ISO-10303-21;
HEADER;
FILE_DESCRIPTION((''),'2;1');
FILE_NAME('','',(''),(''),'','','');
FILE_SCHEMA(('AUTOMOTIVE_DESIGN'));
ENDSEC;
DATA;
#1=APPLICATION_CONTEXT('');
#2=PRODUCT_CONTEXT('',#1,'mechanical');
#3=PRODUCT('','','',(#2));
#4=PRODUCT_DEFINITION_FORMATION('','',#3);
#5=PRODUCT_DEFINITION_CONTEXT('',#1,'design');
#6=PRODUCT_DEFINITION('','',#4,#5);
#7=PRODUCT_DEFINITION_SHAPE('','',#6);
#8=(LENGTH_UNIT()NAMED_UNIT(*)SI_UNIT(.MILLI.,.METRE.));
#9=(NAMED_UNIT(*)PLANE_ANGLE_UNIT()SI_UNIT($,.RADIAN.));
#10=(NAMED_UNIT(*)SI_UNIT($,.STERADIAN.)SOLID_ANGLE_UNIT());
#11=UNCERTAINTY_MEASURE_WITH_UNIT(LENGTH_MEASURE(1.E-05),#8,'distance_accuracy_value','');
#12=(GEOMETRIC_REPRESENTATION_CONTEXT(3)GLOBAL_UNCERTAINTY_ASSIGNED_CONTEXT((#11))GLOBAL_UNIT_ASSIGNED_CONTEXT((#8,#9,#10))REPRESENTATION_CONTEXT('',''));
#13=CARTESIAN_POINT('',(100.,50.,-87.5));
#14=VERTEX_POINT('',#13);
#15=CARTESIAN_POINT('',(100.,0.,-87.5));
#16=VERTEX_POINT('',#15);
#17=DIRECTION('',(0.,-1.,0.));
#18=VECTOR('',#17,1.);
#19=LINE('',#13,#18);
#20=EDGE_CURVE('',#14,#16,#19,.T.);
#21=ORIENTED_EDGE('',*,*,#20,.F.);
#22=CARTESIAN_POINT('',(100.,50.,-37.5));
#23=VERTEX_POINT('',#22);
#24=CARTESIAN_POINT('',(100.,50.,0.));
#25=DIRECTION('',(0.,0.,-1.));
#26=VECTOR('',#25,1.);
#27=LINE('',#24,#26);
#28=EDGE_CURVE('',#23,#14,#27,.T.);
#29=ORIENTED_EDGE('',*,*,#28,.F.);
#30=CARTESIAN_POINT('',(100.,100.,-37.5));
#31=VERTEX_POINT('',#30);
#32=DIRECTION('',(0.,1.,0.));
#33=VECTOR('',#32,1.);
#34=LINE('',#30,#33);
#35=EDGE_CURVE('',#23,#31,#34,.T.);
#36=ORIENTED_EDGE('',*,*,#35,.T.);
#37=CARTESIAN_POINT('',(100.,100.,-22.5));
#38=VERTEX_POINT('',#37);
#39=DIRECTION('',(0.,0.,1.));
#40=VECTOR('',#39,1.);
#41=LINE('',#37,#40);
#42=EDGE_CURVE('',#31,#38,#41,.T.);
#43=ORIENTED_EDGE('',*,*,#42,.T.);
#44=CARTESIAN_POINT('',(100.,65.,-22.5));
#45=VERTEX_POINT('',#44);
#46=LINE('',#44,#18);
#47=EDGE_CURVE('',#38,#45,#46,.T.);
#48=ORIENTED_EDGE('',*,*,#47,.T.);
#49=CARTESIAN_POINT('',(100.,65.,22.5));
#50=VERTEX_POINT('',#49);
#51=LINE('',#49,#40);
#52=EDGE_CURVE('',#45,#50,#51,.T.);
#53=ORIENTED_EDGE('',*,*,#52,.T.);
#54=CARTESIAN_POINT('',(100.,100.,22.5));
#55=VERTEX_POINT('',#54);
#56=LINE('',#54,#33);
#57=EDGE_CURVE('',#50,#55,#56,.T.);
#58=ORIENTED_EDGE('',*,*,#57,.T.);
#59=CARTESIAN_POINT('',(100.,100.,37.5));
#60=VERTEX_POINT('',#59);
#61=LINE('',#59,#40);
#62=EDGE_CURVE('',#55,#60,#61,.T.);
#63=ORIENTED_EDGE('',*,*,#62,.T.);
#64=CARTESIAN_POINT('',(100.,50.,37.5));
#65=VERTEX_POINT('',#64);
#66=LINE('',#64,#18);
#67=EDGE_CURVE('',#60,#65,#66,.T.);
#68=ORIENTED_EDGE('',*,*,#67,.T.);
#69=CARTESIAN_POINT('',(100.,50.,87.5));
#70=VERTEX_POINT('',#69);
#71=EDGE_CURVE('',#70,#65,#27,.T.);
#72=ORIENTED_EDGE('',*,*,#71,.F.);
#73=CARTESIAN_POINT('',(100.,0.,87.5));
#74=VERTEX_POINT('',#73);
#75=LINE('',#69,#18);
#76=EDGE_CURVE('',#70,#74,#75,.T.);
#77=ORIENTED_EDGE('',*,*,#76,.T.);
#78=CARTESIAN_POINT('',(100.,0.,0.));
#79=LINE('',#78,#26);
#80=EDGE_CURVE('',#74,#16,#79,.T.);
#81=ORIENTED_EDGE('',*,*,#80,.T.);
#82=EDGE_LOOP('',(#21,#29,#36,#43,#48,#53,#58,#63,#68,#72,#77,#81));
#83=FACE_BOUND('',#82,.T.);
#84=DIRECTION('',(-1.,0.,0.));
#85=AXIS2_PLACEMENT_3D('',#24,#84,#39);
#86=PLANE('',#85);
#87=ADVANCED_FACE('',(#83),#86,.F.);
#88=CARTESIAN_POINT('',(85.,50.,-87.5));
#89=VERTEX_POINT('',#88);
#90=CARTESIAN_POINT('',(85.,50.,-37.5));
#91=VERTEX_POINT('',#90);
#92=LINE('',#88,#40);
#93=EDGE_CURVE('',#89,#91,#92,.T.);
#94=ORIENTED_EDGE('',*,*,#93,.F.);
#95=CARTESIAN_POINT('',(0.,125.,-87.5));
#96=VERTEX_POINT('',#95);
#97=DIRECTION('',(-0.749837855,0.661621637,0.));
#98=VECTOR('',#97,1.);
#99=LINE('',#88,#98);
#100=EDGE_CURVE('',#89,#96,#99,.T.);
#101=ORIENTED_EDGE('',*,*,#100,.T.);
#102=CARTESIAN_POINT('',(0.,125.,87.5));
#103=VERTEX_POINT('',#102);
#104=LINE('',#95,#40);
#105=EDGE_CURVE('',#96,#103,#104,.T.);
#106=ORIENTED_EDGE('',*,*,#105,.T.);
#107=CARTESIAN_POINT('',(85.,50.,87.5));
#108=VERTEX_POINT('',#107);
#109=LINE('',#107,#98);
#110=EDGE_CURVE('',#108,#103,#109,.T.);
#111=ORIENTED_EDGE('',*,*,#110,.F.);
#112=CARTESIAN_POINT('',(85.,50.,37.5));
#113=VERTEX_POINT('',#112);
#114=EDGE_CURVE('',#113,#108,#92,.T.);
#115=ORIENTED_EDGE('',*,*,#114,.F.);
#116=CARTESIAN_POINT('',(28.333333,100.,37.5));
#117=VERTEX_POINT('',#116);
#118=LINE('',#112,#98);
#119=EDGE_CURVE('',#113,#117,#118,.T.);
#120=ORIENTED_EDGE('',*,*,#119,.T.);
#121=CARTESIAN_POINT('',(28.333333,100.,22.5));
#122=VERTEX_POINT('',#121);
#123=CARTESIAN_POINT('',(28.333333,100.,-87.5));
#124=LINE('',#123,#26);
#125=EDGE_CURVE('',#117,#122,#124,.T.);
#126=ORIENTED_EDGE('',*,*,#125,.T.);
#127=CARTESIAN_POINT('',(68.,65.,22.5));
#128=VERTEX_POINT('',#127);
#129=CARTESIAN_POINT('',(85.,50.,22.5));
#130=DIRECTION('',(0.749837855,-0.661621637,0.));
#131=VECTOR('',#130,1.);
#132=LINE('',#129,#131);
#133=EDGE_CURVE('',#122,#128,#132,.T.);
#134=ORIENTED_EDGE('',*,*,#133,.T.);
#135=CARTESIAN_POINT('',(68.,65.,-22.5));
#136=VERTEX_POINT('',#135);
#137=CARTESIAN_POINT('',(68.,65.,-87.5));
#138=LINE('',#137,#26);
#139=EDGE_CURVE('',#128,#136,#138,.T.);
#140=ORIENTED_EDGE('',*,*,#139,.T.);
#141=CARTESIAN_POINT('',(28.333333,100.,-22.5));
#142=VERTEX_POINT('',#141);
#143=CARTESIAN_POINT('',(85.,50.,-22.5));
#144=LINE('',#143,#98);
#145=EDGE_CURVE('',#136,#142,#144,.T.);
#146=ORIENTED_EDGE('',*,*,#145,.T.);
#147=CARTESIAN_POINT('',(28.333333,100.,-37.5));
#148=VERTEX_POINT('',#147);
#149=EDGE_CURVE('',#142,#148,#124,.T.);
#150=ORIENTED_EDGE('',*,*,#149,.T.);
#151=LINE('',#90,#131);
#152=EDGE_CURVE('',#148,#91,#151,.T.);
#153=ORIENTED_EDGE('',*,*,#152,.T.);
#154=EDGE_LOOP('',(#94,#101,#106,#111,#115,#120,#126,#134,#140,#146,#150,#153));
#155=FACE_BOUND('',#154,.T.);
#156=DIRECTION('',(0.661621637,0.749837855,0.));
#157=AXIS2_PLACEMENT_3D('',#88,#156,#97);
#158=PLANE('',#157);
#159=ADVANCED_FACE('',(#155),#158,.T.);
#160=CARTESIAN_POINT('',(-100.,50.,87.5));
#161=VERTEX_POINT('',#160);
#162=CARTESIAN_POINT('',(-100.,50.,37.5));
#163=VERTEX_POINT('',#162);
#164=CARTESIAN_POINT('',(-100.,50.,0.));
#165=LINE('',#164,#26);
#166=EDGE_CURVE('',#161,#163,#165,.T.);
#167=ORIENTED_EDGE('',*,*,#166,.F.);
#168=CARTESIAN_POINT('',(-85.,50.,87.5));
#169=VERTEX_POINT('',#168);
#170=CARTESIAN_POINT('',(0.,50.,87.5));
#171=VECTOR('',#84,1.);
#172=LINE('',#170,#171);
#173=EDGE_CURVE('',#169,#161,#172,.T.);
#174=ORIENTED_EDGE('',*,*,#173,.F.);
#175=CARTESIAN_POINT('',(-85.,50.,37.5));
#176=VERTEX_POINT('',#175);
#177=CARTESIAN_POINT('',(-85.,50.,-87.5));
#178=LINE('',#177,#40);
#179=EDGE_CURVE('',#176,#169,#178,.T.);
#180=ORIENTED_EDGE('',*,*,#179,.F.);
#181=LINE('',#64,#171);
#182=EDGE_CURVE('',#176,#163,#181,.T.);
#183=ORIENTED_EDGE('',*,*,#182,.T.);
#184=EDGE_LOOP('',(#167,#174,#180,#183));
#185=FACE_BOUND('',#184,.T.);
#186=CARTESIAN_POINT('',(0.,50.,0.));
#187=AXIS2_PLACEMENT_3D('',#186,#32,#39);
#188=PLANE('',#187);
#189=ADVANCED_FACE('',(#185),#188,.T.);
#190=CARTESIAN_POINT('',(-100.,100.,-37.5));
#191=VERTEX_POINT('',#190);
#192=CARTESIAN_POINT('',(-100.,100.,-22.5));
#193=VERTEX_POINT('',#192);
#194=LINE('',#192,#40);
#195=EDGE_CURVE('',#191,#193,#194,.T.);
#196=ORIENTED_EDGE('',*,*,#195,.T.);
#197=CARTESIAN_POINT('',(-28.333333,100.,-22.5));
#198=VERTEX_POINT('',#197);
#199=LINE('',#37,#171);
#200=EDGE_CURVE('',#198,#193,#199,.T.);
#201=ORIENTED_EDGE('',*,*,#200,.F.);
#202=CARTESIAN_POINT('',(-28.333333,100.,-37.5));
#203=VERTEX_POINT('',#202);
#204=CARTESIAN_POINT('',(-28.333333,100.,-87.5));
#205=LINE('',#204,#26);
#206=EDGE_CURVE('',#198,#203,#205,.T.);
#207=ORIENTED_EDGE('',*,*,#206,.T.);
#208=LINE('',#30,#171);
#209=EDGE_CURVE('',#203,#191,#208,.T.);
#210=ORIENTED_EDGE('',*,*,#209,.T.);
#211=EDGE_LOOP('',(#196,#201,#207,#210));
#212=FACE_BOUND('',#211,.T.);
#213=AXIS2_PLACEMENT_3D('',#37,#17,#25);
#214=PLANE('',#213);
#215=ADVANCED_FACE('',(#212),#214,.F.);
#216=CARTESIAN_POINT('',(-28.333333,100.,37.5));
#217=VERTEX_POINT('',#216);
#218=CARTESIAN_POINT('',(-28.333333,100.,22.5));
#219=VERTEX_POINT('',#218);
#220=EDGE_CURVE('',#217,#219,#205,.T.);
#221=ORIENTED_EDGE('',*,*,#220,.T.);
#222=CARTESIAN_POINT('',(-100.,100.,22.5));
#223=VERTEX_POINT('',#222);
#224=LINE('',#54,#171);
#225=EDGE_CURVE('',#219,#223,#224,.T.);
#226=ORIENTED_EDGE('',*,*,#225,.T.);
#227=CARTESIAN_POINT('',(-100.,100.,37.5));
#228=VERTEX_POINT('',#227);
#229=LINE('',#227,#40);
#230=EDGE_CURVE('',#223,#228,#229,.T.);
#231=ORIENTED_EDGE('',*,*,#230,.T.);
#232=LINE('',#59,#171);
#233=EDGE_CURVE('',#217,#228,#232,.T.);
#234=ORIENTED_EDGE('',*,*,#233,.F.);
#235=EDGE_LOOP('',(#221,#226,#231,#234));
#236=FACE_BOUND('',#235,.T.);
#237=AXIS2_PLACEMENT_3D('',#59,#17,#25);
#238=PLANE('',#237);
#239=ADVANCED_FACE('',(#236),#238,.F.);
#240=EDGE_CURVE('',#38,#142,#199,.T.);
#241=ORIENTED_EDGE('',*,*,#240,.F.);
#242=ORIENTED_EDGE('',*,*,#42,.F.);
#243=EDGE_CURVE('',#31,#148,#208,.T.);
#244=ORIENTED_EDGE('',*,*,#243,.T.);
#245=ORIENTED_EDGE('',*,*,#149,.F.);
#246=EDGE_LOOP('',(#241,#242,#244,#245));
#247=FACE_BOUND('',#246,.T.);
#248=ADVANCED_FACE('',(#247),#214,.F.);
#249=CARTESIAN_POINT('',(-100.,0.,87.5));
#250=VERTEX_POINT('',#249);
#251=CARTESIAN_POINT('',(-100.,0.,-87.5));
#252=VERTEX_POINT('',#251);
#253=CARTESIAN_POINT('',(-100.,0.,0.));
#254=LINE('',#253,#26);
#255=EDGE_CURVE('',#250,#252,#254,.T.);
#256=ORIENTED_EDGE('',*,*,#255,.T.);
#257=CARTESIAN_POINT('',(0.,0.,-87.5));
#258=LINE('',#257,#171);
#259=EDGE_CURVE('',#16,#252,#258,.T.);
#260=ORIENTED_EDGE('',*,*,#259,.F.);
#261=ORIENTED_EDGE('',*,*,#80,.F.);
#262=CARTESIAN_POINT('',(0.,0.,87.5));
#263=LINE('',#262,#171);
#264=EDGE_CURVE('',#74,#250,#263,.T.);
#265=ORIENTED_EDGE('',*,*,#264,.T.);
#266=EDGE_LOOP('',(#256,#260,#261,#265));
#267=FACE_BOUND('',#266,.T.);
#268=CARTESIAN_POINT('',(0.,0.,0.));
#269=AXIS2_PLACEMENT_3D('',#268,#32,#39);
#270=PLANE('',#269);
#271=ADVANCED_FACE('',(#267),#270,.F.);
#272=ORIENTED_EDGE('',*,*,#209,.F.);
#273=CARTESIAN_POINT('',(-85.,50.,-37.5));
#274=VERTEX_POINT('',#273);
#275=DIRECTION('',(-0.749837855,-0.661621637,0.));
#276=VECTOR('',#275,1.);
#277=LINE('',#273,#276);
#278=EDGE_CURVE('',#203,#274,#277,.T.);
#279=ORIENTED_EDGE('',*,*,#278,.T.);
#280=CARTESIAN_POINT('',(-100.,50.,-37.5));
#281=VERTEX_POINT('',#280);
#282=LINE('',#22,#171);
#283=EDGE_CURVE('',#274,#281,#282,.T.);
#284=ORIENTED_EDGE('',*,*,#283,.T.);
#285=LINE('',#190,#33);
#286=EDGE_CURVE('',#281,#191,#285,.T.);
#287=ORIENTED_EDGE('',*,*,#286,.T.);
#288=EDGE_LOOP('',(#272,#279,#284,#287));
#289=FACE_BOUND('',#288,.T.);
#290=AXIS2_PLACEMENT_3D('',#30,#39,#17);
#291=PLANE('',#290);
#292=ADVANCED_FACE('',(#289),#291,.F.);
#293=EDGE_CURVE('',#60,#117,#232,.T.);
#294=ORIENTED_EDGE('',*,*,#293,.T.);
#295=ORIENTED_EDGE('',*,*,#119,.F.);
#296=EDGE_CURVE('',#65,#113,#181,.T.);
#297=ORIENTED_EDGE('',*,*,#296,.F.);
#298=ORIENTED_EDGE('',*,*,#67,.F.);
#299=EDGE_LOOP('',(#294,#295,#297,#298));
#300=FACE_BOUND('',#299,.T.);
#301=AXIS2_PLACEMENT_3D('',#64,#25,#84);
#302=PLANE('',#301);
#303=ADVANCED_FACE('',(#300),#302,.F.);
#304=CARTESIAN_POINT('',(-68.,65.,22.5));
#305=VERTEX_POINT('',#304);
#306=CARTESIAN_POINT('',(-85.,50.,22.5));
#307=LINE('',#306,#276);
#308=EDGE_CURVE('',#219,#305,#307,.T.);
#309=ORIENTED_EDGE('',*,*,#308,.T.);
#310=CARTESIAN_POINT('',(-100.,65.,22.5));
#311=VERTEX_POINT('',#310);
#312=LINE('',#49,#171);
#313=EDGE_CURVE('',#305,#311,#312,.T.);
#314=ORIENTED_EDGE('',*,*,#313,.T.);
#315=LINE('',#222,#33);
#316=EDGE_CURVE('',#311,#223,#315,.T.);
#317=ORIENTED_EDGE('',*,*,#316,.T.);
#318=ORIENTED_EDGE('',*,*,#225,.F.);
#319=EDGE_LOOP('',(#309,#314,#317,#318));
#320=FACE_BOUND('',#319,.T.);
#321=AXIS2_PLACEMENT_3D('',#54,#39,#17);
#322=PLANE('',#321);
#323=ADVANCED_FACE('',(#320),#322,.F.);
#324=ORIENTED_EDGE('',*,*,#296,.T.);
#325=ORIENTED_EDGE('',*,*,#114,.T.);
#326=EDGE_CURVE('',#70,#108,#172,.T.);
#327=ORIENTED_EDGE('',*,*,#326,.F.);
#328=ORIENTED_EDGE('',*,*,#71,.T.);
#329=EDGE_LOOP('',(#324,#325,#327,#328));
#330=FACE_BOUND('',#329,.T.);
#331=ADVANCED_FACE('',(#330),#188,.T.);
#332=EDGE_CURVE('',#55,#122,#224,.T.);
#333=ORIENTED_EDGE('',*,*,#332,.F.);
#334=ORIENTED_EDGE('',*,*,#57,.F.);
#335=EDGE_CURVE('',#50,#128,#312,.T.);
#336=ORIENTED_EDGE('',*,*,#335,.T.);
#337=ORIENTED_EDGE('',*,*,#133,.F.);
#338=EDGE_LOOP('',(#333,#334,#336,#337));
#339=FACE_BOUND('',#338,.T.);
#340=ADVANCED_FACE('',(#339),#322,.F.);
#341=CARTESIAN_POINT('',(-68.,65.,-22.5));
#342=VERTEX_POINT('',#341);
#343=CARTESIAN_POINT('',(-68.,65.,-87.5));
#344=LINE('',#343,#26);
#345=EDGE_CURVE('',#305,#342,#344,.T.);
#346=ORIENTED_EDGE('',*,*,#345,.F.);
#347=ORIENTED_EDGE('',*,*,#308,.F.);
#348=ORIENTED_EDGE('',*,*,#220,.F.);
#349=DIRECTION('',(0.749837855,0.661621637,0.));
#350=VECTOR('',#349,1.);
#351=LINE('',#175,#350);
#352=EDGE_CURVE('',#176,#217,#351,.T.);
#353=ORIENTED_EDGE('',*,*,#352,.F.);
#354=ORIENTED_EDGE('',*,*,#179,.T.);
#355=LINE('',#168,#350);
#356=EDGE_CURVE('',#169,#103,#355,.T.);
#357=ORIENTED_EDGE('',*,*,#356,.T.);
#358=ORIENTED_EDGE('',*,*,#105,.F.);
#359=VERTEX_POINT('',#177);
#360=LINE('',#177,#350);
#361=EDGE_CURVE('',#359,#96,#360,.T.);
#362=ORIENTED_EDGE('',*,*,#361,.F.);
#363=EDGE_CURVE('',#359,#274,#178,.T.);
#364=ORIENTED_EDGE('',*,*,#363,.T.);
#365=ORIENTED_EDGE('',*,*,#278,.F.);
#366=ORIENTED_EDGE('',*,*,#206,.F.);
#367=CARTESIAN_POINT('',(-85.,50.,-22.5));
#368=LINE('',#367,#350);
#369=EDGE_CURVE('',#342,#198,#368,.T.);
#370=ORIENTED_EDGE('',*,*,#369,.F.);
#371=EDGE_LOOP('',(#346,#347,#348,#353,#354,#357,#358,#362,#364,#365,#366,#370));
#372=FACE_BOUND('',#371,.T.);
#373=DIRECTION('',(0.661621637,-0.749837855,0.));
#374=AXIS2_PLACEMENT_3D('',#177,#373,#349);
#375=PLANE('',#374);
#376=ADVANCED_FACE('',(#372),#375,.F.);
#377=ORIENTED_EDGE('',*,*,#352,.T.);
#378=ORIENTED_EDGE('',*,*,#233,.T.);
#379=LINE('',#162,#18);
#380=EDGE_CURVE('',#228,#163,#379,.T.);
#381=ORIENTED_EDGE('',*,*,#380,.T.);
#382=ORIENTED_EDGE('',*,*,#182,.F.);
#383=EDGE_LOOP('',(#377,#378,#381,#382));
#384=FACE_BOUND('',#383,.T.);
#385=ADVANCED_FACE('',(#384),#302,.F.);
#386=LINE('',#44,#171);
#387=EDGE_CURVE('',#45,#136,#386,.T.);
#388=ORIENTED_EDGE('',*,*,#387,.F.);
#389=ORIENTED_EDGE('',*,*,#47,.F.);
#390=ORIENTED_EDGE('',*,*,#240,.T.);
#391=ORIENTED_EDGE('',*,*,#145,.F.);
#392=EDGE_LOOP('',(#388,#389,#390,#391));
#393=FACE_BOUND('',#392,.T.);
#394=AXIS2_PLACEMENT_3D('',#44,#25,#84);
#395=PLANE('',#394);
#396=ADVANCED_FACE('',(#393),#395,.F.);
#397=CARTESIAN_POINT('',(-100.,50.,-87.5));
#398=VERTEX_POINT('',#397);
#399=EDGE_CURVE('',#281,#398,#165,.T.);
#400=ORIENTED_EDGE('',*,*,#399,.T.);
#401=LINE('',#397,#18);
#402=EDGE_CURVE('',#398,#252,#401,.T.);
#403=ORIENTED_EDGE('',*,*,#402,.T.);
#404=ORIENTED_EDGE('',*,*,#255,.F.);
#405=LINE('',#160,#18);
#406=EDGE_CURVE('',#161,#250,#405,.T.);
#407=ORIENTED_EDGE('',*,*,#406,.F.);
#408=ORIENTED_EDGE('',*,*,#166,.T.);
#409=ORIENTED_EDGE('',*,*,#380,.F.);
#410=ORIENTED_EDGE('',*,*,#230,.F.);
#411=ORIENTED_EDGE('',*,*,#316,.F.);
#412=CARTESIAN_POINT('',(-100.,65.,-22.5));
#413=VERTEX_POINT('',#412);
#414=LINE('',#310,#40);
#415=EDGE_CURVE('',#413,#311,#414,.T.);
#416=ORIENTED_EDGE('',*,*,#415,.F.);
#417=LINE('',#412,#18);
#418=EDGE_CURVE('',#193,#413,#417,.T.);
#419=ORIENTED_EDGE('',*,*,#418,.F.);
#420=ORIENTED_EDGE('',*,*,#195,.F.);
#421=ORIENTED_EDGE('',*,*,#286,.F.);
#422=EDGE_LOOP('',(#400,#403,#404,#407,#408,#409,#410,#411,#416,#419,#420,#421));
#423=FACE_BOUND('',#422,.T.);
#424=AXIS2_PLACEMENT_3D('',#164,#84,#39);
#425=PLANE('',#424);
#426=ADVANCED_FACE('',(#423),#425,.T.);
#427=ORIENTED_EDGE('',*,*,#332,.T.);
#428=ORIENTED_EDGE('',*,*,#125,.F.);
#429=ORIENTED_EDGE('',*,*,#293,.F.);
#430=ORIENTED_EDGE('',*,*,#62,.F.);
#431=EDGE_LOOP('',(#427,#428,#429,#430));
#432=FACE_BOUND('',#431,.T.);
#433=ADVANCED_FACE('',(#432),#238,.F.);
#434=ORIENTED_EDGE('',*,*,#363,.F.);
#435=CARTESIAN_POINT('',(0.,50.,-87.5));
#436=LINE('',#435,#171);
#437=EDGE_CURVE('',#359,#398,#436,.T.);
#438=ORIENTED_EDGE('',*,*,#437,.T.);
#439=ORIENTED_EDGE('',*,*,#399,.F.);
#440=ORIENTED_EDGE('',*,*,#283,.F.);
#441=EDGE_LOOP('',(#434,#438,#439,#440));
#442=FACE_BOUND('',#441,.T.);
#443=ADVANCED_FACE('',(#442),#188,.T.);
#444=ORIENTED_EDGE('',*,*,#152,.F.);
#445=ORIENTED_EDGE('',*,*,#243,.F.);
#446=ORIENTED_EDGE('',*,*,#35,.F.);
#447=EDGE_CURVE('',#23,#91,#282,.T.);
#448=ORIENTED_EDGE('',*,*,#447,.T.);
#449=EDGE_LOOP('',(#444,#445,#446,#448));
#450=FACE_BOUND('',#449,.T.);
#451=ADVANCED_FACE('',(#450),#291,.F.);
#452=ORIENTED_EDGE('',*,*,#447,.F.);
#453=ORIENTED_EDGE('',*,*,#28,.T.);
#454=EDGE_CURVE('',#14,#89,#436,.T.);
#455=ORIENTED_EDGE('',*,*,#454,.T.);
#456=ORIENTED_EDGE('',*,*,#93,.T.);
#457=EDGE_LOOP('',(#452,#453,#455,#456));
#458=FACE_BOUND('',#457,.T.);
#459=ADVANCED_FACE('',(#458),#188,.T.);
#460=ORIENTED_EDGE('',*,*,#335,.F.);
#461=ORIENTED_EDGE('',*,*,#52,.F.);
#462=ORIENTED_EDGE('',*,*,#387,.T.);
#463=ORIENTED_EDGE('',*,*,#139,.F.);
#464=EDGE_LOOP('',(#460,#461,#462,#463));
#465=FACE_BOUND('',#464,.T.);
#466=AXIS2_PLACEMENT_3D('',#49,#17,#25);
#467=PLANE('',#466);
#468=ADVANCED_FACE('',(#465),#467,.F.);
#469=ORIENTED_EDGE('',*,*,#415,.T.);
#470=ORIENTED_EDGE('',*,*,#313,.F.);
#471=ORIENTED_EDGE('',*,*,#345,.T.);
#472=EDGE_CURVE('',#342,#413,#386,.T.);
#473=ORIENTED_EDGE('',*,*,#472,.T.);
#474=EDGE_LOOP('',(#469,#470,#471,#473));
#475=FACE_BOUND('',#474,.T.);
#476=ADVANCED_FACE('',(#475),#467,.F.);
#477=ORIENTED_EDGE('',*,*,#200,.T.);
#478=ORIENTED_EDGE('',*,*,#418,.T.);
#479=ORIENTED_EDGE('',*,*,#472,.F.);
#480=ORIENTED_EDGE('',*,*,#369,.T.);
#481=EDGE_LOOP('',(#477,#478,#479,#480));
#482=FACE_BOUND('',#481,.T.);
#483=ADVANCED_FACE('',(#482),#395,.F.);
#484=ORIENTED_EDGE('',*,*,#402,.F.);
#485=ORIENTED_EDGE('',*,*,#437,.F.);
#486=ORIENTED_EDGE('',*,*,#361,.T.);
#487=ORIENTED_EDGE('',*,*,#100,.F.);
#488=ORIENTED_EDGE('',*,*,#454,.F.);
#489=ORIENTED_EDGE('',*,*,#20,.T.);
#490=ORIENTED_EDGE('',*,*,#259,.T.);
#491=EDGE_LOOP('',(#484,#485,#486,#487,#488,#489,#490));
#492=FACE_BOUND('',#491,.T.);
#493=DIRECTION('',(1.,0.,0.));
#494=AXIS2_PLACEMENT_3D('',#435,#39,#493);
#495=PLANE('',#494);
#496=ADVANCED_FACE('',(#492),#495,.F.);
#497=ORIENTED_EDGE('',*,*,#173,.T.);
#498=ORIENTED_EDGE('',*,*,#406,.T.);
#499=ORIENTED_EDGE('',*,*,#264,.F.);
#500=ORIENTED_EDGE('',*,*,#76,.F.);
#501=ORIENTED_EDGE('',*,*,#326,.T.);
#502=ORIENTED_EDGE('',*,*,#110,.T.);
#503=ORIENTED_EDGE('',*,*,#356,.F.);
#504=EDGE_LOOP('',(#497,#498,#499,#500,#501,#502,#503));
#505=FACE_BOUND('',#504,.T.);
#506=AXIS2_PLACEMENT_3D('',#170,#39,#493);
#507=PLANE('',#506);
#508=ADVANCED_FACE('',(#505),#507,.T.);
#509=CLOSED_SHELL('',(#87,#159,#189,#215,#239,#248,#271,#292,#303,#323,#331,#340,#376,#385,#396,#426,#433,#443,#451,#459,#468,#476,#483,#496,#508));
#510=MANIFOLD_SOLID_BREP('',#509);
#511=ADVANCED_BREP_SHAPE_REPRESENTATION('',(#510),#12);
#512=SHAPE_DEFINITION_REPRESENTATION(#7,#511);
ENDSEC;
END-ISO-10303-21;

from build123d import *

# Parameters (mm, degrees)
SKETCH1_W           = 30
SKETCH1_H           = 45
SKETCH1_W_2         = 15
SKETCH1_H_2         = 50
BOSS_EXTRUDE3_DEPTH = 50
BOSS_EXTRUDE4_DEPTH = 175
BOSS_EXTRUDE6_DEPTH = 100


with BuildPart() as part:
    # Sketch1 → Boss-Extrude3 (new body)
    with BuildSketch(Plane(origin=(0, 0, 0), x_dir=(1, 0, 0), z_dir=(0, 1, 0))):
        Polygon((85, 87.5), (-85, 87.5), (-85, 37.5), (-70, 37.5), (-35, 37.5), (-35, 22.5), (-70, 22.5), (-70, -22.5), (-35, -22.5), (-35, -37.5), (-85, -37.5), (-85, -87.5), (85, -87.5), (85, -37.5), (35, -37.5), (35, -22.5), (70, -22.5), (70, 22.5), (35, 22.5), (35, 37.5), (70, 37.5), (85, 37.5), align=None)
        with Locations((-85, 0)):
            Rectangle(SKETCH1_W, SKETCH1_H)
        with Locations((-92.5, 62.5)):
            Rectangle(SKETCH1_W_2, SKETCH1_H_2)
        Polygon((-85, 37.5), (-100, 37.5), (-100, 22.5), (-70, 22.5), (-35, 22.5), (-35, 37.5), (-70, 37.5), align=None)
        Polygon((-70, -22.5), (-100, -22.5), (-100, -37.5), (-85, -37.5), (-35, -37.5), (-35, -22.5), align=None)
        with Locations((-92.5, -62.5)):
            Rectangle(SKETCH1_W_2, SKETCH1_H_2)
        with Locations((92.5, 62.5)):
            Rectangle(SKETCH1_W_2, SKETCH1_H_2)
        Polygon((100, 37.5), (85, 37.5), (70, 37.5), (35, 37.5), (35, 22.5), (70, 22.5), (100, 22.5), align=None)
        with Locations((85, 0)):
            Rectangle(SKETCH1_W, SKETCH1_H)
        Polygon((100, -37.5), (100, -22.5), (70, -22.5), (35, -22.5), (35, -37.5), (85, -37.5), align=None)
        with Locations((92.5, -62.5)):
            Rectangle(SKETCH1_W_2, SKETCH1_H_2)
    extrude(amount=BOSS_EXTRUDE3_DEPTH)

    # Sketch5 → Boss-Extrude4 (add)
    with BuildSketch(Plane.XY.offset(87.5)):
        Polygon((-100, 50), (-85, 50), (0, 125), (85, 50), (100, 50), (100, 0), (-100, 0), align=None)
    extrude(amount=-BOSS_EXTRUDE4_DEPTH)

    # Sketch18 → Boss-Extrude6 (add, symmetric)
    with BuildSketch(Plane(origin=(0, 0, 0), x_dir=(0, 0, -1), z_dir=(1, 0, 0))):
        Polygon((-87.5, 50), (-37.5, 50), (-37.5, 100), (-22.5, 100), (-22.5, 65), (22.5, 65), (22.5, 100), (37.5, 100), (37.5, 50), (87.5, 50), (87.5, 0), (-87.5, 0), align=None)
    extrude(amount=BOSS_EXTRUDE6_DEPTH, both=True)


solid = part.part
